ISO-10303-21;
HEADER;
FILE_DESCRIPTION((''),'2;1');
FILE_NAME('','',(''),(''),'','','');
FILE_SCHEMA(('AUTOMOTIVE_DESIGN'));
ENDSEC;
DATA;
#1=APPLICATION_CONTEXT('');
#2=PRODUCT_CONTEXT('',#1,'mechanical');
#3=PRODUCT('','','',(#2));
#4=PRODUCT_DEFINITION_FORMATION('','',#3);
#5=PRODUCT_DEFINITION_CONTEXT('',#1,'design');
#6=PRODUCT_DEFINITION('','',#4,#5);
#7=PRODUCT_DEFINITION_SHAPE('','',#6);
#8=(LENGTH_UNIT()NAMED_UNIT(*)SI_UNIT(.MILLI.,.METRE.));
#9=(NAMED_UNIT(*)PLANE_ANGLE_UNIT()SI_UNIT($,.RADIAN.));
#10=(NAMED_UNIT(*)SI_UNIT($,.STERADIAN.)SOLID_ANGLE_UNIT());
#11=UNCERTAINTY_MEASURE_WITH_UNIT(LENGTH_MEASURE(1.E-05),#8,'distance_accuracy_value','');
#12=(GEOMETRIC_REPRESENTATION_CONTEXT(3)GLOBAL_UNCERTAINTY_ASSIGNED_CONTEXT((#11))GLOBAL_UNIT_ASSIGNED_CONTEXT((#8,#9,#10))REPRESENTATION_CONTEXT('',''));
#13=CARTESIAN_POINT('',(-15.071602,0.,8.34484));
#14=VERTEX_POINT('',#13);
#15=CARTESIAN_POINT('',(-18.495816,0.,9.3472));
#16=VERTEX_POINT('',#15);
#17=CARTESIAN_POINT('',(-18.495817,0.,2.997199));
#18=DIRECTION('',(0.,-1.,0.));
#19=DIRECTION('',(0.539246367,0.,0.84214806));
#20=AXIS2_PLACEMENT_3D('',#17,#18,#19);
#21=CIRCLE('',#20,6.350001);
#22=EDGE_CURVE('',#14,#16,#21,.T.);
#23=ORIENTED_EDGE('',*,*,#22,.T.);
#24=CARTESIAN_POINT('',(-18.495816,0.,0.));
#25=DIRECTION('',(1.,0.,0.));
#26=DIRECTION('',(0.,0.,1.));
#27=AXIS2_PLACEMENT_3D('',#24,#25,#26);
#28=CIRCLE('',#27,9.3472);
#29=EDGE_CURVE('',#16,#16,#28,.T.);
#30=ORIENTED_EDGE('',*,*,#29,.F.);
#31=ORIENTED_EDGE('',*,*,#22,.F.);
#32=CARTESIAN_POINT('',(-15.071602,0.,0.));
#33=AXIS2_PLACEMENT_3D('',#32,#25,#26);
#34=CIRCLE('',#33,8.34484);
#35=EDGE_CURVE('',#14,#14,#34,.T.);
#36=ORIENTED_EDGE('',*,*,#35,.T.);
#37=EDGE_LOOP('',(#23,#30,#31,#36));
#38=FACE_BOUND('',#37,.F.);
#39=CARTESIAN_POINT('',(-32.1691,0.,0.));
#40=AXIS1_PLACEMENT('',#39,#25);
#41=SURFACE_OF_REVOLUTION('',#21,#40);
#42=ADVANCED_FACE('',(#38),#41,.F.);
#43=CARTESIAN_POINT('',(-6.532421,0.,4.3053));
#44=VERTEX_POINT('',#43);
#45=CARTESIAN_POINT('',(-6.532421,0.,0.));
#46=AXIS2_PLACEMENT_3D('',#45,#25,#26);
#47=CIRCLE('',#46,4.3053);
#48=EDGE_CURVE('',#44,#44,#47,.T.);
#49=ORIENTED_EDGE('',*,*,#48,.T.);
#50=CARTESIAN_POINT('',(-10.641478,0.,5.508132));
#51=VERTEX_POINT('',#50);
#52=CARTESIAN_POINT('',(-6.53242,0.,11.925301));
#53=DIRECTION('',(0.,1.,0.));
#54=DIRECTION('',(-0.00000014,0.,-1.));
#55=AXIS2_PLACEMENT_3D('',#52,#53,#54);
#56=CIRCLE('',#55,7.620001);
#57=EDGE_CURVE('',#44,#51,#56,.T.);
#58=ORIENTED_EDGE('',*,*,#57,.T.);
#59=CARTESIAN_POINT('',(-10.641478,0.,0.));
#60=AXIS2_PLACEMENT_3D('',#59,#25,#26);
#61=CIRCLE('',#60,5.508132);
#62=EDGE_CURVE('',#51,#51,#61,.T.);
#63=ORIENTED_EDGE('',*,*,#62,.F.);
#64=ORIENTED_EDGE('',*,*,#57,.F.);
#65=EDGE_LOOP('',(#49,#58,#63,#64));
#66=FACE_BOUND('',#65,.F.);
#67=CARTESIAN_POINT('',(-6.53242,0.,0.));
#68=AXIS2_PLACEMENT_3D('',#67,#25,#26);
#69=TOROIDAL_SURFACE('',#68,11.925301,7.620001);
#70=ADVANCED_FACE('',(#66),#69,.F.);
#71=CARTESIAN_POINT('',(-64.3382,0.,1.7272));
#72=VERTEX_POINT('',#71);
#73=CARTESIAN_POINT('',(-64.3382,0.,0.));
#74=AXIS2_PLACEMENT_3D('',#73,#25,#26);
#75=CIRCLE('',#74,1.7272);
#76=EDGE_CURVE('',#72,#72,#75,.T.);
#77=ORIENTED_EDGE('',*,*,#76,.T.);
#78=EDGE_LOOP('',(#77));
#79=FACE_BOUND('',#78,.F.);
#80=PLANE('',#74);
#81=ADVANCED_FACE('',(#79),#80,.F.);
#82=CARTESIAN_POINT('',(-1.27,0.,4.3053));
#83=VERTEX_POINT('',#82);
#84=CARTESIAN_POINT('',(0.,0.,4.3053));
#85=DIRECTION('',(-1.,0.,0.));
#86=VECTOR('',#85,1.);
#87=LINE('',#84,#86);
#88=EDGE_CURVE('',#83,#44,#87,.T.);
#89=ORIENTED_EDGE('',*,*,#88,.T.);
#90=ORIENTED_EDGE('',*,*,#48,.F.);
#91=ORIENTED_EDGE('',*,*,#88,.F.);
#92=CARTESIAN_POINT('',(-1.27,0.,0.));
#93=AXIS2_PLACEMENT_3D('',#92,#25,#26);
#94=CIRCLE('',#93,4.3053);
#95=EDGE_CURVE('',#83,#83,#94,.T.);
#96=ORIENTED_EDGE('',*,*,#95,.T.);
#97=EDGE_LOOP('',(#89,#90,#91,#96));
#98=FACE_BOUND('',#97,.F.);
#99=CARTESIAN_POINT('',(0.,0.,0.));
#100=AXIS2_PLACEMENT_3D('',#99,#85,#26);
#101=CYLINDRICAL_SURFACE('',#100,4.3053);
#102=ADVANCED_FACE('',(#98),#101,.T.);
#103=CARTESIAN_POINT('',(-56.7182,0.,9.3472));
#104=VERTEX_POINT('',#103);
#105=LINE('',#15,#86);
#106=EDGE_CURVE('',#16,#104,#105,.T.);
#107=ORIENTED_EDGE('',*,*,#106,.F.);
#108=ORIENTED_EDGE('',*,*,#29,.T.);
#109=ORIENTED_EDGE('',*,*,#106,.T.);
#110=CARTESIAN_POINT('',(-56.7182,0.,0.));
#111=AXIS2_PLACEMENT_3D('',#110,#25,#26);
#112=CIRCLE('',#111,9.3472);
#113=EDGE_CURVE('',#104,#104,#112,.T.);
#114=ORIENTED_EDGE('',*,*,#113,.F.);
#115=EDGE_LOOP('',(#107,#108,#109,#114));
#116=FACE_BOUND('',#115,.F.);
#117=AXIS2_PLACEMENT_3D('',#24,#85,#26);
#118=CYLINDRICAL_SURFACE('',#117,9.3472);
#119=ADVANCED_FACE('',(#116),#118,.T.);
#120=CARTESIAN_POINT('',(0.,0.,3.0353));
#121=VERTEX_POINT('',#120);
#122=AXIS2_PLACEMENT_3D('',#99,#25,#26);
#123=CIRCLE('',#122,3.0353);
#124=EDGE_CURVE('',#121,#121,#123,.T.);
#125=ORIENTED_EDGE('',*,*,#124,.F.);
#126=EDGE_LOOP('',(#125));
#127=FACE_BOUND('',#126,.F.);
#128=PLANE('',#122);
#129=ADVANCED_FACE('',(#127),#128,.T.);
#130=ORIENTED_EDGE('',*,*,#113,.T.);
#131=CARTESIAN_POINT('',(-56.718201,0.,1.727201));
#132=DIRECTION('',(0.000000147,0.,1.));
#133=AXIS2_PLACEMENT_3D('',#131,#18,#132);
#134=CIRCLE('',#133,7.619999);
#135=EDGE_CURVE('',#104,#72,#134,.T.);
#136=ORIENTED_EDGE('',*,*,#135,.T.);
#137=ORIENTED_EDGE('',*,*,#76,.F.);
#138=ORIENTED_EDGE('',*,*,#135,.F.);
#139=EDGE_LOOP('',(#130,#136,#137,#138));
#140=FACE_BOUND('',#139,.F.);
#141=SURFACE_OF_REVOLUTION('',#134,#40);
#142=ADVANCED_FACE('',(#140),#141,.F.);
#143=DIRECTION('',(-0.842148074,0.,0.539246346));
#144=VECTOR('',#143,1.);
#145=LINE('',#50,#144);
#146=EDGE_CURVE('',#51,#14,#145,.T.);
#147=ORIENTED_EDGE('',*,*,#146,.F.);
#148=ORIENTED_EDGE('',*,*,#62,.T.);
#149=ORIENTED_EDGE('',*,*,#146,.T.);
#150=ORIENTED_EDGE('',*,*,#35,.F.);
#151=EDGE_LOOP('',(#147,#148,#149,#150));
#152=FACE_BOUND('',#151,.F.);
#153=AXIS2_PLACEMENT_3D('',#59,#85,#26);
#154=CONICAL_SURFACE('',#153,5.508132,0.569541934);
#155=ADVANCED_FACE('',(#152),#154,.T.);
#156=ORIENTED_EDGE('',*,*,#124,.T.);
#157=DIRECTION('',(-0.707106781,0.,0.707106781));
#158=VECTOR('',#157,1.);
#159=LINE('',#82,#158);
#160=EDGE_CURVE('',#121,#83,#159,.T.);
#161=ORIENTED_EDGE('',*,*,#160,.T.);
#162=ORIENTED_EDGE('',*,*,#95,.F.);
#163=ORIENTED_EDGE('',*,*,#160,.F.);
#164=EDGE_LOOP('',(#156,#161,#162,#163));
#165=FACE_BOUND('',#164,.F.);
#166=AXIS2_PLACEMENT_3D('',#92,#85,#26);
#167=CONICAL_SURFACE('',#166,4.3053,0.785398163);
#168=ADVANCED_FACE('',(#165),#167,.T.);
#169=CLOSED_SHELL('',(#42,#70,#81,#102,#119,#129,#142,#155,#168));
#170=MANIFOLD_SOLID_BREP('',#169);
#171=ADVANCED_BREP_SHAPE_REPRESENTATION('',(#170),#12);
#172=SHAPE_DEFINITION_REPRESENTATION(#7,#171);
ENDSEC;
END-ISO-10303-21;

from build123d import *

# Parameters (mm, degrees)
F2_SIZE = 1.27


with BuildPart() as f1:
    # F0 (on Front) → F1 (revolve)
    with BuildSketch(Plane.XZ):
        with BuildLine():
            Line((-64.3382, 0), (0, 0))
            Line((0, 0), (0, 4.3053))
            Line((0, 4.3053), (-6.532421, 4.3053))
            ThreePointArc((-6.532421, 4.3053), (-8.673166, 4.612188), (-10.641478, 5.508132))
            Line((-10.641478, 5.508132), (-15.071602, 8.34484))
            ThreePointArc((-15.071602, 8.34484), (-16.711862, 9.09146), (-18.495816, 9.3472))
            Line((-18.495816, 9.3472), (-56.7182, 9.3472))
            ThreePointArc((-56.7182, 9.3472), (-62.106354, 7.115354), (-64.3382, 1.7272))
            Line((-64.3382, 1.7272), (-64.3382, 0))
        make_face()
    revolve(axis=Axis((-32.1691, 0, 0), (1, 0, 0)))

    # F2
    f2_edges = [f1.edges().sort_by_distance(p)[0] for p in [
        (0, 0, -4.3053),
    ]]
    chamfer(f2_edges, length=F2_SIZE)


solid = f1.part
